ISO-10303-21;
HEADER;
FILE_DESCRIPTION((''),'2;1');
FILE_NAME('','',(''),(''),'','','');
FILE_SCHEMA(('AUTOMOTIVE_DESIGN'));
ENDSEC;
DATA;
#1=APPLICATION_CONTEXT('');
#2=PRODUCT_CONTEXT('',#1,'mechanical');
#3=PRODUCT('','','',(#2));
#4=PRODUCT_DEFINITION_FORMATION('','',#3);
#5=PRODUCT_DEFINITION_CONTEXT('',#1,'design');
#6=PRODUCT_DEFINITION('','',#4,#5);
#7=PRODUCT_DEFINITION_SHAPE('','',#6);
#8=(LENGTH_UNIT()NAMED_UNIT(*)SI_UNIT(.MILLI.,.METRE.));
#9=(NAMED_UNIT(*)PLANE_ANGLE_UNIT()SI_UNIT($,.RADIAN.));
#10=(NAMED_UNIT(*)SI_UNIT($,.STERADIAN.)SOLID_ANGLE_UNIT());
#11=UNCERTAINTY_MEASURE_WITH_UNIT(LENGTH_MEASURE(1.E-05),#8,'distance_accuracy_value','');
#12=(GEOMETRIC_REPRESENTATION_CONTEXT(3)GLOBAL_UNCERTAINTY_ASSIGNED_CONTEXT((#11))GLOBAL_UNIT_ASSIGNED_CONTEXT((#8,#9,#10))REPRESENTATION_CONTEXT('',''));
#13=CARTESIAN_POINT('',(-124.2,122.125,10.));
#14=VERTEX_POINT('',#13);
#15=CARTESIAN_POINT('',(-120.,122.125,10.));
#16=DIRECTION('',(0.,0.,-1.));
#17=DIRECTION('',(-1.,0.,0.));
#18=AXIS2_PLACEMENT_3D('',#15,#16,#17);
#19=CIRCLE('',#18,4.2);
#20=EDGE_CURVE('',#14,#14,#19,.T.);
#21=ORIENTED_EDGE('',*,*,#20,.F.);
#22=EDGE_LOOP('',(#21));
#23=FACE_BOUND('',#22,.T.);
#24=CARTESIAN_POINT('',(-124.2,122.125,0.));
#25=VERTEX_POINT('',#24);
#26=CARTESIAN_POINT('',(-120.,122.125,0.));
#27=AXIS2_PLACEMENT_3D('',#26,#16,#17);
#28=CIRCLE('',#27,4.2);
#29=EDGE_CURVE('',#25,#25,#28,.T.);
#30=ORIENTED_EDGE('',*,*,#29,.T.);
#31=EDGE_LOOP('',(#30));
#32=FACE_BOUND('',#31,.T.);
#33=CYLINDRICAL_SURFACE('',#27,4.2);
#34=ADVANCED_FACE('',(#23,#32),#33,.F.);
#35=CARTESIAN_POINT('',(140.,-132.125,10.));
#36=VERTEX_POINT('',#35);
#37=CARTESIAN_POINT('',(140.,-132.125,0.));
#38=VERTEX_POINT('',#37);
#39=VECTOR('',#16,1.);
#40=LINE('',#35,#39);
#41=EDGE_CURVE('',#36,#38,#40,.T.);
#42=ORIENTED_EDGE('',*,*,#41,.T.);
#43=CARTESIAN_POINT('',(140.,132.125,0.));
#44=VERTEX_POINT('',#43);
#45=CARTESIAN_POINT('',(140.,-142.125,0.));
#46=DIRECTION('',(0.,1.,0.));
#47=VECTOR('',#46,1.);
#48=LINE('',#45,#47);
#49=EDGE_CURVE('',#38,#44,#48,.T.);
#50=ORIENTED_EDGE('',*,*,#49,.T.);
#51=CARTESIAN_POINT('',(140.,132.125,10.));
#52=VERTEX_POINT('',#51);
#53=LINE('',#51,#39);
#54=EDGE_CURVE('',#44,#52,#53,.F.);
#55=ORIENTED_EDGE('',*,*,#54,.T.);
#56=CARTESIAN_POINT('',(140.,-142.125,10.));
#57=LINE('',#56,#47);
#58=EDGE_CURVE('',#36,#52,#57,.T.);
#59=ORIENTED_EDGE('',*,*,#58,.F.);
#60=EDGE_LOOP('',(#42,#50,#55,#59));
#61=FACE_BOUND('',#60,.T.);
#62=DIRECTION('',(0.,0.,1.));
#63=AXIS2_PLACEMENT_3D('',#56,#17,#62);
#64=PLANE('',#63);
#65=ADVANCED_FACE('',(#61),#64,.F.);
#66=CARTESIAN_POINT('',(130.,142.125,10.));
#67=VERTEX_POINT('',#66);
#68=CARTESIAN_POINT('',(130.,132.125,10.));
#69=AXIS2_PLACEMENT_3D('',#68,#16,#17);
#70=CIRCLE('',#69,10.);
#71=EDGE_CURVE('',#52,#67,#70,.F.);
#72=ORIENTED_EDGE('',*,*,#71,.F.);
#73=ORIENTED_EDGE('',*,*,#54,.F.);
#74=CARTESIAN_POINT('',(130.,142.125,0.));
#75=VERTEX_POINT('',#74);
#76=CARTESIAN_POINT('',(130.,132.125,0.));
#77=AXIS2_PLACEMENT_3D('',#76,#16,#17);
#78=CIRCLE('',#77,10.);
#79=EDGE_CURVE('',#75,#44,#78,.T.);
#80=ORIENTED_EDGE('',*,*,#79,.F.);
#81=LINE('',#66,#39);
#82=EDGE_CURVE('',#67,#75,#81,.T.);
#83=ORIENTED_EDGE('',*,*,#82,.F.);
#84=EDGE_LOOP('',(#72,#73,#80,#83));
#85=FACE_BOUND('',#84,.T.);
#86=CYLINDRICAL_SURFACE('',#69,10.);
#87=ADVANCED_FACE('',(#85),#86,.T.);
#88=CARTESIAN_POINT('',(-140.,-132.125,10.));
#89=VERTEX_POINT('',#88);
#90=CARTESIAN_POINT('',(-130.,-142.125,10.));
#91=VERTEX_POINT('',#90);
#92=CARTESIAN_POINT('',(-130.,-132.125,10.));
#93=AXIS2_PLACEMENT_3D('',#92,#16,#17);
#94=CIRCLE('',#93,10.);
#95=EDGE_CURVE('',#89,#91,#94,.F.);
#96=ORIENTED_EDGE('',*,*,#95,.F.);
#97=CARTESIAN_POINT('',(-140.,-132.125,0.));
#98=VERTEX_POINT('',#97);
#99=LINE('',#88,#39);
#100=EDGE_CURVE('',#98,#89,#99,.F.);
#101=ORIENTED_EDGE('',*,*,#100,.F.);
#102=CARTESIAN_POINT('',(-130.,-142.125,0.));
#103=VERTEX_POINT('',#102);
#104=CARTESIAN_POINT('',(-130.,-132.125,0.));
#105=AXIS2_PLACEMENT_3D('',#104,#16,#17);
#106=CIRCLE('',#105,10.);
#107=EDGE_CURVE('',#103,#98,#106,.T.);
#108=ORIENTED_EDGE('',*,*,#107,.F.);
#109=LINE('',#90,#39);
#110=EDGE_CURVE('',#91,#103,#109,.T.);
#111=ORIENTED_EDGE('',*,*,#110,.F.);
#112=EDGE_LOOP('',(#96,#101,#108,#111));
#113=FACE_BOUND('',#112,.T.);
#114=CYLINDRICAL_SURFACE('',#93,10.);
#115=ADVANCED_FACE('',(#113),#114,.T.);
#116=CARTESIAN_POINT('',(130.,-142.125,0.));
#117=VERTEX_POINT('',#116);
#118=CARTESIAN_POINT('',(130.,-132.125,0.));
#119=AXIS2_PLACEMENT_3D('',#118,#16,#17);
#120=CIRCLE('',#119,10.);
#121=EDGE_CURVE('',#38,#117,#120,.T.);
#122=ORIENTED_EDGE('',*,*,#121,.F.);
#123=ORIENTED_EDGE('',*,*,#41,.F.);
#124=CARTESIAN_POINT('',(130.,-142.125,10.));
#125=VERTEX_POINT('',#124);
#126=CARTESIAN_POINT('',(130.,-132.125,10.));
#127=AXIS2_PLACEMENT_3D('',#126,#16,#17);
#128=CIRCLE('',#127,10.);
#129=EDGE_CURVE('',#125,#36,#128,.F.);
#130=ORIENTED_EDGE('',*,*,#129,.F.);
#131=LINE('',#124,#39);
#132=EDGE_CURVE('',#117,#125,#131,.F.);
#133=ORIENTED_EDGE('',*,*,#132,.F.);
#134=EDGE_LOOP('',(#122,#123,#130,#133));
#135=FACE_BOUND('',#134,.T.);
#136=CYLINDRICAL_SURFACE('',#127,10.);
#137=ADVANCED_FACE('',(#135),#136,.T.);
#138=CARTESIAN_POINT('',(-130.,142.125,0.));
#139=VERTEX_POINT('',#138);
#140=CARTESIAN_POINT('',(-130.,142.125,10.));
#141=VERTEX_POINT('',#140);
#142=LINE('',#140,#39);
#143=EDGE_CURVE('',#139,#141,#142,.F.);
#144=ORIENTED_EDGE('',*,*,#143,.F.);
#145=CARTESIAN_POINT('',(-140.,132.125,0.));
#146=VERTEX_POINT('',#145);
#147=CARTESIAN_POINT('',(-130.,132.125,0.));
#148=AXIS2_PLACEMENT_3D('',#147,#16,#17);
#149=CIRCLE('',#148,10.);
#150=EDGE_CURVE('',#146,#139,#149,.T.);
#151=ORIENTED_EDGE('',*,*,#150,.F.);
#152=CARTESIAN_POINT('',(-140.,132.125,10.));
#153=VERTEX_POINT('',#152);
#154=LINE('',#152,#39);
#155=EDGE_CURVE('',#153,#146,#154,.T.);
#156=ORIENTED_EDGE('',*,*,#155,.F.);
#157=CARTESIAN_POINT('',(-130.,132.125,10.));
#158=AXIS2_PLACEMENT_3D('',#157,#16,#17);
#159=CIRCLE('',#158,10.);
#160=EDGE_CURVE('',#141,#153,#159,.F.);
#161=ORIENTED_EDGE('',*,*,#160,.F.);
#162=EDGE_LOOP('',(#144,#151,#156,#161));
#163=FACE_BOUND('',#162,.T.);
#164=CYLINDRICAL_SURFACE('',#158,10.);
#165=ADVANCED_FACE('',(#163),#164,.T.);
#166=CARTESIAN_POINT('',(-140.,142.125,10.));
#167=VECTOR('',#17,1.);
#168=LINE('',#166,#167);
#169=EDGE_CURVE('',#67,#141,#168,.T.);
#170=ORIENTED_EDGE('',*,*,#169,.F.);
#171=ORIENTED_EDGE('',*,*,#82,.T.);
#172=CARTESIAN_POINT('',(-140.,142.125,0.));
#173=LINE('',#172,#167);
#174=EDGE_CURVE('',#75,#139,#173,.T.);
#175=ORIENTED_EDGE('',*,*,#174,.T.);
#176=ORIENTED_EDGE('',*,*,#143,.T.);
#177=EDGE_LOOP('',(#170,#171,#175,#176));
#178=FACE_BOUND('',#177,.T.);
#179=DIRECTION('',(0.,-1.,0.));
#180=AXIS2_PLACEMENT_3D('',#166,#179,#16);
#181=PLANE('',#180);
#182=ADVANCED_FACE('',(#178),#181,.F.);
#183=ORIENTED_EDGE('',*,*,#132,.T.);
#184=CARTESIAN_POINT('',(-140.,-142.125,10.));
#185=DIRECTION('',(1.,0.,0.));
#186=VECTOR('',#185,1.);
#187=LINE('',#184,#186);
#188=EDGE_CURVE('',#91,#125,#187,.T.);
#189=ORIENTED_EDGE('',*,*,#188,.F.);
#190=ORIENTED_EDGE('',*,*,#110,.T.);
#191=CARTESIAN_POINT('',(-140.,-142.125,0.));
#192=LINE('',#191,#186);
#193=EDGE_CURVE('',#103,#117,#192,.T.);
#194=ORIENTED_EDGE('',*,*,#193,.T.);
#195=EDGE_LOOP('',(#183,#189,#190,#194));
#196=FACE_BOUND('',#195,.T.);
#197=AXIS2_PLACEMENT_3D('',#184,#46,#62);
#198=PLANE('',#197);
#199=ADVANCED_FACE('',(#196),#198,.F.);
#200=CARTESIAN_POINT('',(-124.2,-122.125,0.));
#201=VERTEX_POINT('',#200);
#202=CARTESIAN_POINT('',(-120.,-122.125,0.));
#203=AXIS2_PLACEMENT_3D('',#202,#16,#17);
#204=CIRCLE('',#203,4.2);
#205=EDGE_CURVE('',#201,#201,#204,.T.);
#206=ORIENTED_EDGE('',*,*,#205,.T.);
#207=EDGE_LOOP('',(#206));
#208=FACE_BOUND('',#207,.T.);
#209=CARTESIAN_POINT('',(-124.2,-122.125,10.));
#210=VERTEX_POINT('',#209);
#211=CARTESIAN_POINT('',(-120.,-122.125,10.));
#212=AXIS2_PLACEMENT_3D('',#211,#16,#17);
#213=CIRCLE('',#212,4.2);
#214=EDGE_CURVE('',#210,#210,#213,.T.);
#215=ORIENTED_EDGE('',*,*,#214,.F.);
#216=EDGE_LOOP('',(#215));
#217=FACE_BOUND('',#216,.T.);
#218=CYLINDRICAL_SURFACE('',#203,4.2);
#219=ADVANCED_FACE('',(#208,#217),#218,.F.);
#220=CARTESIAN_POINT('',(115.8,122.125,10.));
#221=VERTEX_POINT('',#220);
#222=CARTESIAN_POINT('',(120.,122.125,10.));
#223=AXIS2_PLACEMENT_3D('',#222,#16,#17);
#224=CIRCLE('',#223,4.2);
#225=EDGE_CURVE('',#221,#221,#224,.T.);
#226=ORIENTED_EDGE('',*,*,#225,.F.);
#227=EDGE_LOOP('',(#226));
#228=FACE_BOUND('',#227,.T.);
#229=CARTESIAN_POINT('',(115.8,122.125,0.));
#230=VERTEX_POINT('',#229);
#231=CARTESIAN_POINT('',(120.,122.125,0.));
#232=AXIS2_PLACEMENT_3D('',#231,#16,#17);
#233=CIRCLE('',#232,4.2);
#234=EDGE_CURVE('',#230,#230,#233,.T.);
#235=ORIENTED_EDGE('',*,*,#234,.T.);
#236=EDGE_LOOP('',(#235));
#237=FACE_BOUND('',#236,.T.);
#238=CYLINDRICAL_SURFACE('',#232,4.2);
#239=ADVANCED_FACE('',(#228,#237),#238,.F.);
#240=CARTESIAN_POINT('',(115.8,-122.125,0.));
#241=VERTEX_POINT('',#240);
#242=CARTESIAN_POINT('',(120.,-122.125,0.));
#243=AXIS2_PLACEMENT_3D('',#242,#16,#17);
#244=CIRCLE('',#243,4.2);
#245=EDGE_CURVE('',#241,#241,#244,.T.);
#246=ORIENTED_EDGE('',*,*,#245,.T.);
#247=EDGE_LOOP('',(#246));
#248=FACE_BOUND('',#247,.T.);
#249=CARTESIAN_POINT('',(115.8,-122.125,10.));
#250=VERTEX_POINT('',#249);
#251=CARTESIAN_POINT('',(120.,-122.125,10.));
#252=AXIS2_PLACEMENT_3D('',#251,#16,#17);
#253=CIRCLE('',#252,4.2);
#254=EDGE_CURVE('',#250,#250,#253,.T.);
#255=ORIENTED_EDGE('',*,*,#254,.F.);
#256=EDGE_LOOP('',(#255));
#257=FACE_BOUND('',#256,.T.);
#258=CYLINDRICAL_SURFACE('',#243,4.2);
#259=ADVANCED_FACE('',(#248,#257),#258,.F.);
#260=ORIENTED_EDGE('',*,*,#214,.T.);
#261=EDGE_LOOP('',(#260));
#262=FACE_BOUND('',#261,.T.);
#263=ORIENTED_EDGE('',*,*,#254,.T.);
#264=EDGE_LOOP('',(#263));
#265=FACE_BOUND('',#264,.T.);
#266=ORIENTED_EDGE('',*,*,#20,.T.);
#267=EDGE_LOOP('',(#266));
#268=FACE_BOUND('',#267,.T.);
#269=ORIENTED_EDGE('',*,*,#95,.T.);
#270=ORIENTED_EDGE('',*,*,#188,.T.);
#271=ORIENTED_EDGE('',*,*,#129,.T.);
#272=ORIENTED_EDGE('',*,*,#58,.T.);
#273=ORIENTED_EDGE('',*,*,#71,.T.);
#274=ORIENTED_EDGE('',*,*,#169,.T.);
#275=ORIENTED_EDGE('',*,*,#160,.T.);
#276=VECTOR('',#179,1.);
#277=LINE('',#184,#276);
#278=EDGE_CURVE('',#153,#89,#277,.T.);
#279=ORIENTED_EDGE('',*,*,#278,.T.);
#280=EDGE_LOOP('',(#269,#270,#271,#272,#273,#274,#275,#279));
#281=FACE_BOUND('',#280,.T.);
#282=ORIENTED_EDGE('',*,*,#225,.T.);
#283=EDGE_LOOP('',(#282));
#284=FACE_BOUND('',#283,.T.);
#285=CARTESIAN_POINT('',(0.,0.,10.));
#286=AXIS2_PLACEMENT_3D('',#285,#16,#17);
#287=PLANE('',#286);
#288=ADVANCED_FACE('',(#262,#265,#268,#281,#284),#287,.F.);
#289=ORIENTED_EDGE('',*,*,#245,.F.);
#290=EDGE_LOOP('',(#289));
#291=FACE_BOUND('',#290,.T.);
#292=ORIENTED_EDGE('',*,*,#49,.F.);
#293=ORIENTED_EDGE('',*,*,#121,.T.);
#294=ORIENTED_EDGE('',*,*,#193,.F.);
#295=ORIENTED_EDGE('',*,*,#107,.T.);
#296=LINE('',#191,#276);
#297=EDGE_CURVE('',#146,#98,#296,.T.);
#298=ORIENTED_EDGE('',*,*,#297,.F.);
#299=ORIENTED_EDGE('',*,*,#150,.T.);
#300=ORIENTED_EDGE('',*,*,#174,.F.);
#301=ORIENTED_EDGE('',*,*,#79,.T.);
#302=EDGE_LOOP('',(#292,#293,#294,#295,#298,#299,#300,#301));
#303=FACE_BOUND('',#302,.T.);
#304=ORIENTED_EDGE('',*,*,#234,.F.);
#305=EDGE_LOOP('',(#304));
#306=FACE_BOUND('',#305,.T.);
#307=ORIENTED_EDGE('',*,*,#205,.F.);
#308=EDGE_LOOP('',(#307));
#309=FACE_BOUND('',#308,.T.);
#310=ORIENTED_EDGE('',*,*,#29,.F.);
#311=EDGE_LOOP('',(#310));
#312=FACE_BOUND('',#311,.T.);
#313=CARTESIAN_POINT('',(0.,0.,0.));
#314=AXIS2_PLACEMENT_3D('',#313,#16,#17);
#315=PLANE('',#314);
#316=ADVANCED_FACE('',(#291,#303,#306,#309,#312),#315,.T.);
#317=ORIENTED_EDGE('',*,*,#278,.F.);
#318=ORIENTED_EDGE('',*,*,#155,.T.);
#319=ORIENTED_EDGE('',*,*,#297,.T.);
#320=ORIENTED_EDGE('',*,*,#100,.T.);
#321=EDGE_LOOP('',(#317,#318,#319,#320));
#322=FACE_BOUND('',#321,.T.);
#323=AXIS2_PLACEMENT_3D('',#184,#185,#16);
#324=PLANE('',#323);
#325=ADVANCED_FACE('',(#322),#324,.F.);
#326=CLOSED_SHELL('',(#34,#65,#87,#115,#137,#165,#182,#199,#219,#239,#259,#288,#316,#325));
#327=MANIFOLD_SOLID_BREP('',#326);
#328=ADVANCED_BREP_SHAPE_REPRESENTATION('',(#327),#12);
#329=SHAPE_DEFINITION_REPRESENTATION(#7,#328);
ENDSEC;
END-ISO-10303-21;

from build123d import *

# Parameters (mm, degrees)
SKETCH_1_W              = 280
SKETCH_1_H              = 284.25
EXTRUDE_1_DEPTH         = 10
FILLET_1_R              = 10
HOLE_WIZARD_8_4_8_4_1_D = 8.4


with BuildPart() as part:
    # 草图1 → 凸台-拉伸1 (new body)
    with BuildSketch(Plane.XY):
        Rectangle(SKETCH_1_W, SKETCH_1_H)
    extrude(amount=EXTRUDE_1_DEPTH)

    # 圆角1
    fillet_1_edges = [part.edges().sort_by_distance(p)[0] for p in [
        (140, -142.125, 5),
        (-140, -142.125, 5),
        (-140, 142.125, 5),
        (140, 142.125, 5),
    ]]
    fillet(fillet_1_edges, radius=FILLET_1_R)

    # Ø8.4 (8.4) 直径孔1 (through all)
    with Locations(Plane(origin=(0, 0, 0), x_dir=(1, 0, 0), z_dir=(0, 0, -1))):
        with Locations((-120, -122.125), (120, -122.125), (120, 122.125), (-120, 122.125)):
            Hole(HOLE_WIZARD_8_4_8_4_1_D / 2)


solid = part.part
